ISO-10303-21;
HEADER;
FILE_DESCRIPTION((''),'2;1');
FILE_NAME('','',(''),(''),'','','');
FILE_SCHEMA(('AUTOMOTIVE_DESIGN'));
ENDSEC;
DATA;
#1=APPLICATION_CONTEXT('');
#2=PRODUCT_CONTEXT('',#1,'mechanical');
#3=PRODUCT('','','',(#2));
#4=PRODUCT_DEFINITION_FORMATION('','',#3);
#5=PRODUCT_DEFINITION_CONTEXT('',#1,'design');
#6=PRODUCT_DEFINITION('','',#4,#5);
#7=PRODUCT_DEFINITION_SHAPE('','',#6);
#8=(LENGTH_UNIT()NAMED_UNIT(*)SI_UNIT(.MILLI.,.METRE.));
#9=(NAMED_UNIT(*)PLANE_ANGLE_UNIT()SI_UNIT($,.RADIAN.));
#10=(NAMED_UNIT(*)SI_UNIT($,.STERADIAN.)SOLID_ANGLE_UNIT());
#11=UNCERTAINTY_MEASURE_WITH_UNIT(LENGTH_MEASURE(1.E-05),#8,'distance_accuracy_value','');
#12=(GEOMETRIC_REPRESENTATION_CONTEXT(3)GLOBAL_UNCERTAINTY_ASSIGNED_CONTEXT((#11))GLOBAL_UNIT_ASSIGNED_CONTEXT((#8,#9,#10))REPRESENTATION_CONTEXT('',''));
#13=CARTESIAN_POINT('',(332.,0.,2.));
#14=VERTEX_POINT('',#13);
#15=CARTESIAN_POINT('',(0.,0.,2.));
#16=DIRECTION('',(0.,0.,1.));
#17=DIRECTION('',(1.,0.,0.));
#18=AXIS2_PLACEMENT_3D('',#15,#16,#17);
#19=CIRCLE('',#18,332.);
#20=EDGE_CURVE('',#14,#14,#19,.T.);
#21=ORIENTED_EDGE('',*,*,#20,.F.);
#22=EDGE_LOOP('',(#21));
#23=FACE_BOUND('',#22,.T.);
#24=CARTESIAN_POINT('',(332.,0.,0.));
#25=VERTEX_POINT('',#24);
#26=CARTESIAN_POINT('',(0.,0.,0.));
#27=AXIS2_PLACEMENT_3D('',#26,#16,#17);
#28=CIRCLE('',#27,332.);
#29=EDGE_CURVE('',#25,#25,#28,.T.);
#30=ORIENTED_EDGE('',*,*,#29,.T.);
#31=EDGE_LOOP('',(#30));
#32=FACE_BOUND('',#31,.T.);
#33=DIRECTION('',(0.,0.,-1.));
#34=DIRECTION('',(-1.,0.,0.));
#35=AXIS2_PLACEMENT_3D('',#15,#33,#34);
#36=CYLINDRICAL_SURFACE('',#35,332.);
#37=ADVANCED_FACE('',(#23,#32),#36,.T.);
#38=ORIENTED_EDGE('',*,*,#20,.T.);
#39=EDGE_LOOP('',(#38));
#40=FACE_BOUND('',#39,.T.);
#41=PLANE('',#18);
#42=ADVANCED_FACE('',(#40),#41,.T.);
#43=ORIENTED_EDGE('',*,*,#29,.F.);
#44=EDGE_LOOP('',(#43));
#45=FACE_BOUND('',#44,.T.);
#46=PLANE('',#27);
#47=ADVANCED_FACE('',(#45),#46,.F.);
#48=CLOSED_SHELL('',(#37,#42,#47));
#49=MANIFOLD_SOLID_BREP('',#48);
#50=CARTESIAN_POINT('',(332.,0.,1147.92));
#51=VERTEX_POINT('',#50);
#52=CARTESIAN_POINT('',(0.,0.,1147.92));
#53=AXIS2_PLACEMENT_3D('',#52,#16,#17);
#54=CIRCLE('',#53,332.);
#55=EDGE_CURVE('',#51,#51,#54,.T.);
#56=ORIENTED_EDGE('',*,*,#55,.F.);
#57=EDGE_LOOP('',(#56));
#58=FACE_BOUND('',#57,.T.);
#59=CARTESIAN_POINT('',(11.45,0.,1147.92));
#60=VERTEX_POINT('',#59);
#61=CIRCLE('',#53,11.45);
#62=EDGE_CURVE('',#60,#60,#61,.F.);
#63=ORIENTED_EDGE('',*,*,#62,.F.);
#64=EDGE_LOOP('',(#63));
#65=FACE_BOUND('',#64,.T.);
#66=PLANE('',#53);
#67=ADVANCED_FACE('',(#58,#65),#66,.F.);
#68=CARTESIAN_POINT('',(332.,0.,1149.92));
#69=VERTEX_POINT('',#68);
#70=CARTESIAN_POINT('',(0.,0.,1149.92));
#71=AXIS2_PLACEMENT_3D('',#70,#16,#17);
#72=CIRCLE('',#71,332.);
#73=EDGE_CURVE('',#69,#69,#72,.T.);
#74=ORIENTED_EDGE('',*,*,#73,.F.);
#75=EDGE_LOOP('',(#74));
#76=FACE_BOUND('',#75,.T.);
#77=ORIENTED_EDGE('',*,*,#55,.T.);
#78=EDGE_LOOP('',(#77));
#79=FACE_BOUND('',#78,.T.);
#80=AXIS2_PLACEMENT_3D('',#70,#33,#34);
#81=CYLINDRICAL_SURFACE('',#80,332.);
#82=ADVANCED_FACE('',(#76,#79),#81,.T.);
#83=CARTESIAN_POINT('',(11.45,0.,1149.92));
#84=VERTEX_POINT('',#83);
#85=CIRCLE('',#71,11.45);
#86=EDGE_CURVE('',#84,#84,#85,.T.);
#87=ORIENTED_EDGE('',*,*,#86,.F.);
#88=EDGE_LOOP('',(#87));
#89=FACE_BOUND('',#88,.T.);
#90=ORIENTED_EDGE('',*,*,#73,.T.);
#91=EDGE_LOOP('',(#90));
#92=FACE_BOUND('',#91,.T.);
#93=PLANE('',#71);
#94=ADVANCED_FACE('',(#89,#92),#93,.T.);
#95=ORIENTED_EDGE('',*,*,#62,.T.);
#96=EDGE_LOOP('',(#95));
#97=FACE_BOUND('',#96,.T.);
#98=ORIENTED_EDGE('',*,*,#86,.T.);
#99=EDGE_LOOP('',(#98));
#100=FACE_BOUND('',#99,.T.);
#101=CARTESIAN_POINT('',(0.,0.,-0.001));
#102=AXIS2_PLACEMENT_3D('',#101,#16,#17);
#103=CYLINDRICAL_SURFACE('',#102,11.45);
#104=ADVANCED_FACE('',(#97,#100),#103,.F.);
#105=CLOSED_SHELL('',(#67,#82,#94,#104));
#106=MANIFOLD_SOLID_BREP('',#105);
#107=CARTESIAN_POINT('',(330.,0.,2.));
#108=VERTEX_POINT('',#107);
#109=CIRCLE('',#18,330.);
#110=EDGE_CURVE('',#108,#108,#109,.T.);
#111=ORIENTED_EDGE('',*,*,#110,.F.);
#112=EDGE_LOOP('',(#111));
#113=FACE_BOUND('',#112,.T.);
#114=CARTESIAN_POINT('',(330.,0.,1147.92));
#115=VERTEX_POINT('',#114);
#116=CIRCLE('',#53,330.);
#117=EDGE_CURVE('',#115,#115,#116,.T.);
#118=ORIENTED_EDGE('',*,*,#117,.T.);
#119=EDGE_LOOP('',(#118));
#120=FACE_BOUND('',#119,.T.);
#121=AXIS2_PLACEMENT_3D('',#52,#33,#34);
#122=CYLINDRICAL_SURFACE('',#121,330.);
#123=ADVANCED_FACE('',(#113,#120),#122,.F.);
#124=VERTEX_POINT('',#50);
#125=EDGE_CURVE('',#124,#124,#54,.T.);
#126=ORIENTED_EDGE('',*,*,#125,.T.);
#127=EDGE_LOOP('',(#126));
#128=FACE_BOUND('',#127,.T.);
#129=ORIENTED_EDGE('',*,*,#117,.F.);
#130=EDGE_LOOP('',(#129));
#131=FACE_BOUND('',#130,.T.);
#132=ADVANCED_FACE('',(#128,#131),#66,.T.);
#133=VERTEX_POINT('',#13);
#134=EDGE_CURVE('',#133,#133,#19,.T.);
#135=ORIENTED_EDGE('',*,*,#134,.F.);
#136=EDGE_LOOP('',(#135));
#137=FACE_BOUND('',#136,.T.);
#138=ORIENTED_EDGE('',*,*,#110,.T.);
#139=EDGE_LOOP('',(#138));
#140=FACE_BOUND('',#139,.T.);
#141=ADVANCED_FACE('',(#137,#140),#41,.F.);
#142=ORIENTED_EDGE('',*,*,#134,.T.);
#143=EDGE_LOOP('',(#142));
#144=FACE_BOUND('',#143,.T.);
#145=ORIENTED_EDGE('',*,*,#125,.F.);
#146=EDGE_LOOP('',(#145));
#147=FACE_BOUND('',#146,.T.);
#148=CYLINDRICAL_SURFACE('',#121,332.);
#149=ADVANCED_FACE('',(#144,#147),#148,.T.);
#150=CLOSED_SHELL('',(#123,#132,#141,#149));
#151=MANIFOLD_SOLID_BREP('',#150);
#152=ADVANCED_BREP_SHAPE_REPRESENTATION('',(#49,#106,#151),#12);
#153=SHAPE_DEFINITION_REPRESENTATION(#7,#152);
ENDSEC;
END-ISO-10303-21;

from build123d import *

# Parameters (mm, degrees)
SKETCH1_R           = 332
BOSS_EXTRUDE1_DEPTH = 2
SKETCH2_R           = 332
SKETCH2_R_2         = 330
BOSS_EXTRUDE2_DEPTH = 1145.92
SKETCH4_R           = 332
BOSS_EXTRUDE4_DEPTH = 2
SKETCH5_R           = 11.45
CUT_EXTRUDE1_DEPTH  = 2


with BuildPart() as part:
    # Sketch1 → Boss-Extrude1 (new body)
    with BuildSketch(Plane.XY):
        Circle(SKETCH1_R)
    extrude(amount=BOSS_EXTRUDE1_DEPTH)


with BuildPart() as body_2:
    # Sketch2 → Boss-Extrude2 (new body)
    with BuildSketch(Plane.XY.offset(2)):
        Circle(SKETCH2_R)
        Circle(SKETCH2_R_2, mode=Mode.SUBTRACT)
    extrude(amount=BOSS_EXTRUDE2_DEPTH)


with BuildPart() as body_3:
    # Sketch4 → Boss-Extrude4 (new body)
    with BuildSketch(Plane.XY.offset(1147.92)):
        Circle(SKETCH4_R)
    extrude(amount=BOSS_EXTRUDE4_DEPTH)

    # Sketch5 → Cut-Extrude1 (cut)
    with BuildSketch(Plane.XY.offset(1149.92)):
        Circle(SKETCH5_R)
    extrude(amount=-CUT_EXTRUDE1_DEPTH, mode=Mode.SUBTRACT)


solid = Compound([part.part, body_2.part, body_3.part])
